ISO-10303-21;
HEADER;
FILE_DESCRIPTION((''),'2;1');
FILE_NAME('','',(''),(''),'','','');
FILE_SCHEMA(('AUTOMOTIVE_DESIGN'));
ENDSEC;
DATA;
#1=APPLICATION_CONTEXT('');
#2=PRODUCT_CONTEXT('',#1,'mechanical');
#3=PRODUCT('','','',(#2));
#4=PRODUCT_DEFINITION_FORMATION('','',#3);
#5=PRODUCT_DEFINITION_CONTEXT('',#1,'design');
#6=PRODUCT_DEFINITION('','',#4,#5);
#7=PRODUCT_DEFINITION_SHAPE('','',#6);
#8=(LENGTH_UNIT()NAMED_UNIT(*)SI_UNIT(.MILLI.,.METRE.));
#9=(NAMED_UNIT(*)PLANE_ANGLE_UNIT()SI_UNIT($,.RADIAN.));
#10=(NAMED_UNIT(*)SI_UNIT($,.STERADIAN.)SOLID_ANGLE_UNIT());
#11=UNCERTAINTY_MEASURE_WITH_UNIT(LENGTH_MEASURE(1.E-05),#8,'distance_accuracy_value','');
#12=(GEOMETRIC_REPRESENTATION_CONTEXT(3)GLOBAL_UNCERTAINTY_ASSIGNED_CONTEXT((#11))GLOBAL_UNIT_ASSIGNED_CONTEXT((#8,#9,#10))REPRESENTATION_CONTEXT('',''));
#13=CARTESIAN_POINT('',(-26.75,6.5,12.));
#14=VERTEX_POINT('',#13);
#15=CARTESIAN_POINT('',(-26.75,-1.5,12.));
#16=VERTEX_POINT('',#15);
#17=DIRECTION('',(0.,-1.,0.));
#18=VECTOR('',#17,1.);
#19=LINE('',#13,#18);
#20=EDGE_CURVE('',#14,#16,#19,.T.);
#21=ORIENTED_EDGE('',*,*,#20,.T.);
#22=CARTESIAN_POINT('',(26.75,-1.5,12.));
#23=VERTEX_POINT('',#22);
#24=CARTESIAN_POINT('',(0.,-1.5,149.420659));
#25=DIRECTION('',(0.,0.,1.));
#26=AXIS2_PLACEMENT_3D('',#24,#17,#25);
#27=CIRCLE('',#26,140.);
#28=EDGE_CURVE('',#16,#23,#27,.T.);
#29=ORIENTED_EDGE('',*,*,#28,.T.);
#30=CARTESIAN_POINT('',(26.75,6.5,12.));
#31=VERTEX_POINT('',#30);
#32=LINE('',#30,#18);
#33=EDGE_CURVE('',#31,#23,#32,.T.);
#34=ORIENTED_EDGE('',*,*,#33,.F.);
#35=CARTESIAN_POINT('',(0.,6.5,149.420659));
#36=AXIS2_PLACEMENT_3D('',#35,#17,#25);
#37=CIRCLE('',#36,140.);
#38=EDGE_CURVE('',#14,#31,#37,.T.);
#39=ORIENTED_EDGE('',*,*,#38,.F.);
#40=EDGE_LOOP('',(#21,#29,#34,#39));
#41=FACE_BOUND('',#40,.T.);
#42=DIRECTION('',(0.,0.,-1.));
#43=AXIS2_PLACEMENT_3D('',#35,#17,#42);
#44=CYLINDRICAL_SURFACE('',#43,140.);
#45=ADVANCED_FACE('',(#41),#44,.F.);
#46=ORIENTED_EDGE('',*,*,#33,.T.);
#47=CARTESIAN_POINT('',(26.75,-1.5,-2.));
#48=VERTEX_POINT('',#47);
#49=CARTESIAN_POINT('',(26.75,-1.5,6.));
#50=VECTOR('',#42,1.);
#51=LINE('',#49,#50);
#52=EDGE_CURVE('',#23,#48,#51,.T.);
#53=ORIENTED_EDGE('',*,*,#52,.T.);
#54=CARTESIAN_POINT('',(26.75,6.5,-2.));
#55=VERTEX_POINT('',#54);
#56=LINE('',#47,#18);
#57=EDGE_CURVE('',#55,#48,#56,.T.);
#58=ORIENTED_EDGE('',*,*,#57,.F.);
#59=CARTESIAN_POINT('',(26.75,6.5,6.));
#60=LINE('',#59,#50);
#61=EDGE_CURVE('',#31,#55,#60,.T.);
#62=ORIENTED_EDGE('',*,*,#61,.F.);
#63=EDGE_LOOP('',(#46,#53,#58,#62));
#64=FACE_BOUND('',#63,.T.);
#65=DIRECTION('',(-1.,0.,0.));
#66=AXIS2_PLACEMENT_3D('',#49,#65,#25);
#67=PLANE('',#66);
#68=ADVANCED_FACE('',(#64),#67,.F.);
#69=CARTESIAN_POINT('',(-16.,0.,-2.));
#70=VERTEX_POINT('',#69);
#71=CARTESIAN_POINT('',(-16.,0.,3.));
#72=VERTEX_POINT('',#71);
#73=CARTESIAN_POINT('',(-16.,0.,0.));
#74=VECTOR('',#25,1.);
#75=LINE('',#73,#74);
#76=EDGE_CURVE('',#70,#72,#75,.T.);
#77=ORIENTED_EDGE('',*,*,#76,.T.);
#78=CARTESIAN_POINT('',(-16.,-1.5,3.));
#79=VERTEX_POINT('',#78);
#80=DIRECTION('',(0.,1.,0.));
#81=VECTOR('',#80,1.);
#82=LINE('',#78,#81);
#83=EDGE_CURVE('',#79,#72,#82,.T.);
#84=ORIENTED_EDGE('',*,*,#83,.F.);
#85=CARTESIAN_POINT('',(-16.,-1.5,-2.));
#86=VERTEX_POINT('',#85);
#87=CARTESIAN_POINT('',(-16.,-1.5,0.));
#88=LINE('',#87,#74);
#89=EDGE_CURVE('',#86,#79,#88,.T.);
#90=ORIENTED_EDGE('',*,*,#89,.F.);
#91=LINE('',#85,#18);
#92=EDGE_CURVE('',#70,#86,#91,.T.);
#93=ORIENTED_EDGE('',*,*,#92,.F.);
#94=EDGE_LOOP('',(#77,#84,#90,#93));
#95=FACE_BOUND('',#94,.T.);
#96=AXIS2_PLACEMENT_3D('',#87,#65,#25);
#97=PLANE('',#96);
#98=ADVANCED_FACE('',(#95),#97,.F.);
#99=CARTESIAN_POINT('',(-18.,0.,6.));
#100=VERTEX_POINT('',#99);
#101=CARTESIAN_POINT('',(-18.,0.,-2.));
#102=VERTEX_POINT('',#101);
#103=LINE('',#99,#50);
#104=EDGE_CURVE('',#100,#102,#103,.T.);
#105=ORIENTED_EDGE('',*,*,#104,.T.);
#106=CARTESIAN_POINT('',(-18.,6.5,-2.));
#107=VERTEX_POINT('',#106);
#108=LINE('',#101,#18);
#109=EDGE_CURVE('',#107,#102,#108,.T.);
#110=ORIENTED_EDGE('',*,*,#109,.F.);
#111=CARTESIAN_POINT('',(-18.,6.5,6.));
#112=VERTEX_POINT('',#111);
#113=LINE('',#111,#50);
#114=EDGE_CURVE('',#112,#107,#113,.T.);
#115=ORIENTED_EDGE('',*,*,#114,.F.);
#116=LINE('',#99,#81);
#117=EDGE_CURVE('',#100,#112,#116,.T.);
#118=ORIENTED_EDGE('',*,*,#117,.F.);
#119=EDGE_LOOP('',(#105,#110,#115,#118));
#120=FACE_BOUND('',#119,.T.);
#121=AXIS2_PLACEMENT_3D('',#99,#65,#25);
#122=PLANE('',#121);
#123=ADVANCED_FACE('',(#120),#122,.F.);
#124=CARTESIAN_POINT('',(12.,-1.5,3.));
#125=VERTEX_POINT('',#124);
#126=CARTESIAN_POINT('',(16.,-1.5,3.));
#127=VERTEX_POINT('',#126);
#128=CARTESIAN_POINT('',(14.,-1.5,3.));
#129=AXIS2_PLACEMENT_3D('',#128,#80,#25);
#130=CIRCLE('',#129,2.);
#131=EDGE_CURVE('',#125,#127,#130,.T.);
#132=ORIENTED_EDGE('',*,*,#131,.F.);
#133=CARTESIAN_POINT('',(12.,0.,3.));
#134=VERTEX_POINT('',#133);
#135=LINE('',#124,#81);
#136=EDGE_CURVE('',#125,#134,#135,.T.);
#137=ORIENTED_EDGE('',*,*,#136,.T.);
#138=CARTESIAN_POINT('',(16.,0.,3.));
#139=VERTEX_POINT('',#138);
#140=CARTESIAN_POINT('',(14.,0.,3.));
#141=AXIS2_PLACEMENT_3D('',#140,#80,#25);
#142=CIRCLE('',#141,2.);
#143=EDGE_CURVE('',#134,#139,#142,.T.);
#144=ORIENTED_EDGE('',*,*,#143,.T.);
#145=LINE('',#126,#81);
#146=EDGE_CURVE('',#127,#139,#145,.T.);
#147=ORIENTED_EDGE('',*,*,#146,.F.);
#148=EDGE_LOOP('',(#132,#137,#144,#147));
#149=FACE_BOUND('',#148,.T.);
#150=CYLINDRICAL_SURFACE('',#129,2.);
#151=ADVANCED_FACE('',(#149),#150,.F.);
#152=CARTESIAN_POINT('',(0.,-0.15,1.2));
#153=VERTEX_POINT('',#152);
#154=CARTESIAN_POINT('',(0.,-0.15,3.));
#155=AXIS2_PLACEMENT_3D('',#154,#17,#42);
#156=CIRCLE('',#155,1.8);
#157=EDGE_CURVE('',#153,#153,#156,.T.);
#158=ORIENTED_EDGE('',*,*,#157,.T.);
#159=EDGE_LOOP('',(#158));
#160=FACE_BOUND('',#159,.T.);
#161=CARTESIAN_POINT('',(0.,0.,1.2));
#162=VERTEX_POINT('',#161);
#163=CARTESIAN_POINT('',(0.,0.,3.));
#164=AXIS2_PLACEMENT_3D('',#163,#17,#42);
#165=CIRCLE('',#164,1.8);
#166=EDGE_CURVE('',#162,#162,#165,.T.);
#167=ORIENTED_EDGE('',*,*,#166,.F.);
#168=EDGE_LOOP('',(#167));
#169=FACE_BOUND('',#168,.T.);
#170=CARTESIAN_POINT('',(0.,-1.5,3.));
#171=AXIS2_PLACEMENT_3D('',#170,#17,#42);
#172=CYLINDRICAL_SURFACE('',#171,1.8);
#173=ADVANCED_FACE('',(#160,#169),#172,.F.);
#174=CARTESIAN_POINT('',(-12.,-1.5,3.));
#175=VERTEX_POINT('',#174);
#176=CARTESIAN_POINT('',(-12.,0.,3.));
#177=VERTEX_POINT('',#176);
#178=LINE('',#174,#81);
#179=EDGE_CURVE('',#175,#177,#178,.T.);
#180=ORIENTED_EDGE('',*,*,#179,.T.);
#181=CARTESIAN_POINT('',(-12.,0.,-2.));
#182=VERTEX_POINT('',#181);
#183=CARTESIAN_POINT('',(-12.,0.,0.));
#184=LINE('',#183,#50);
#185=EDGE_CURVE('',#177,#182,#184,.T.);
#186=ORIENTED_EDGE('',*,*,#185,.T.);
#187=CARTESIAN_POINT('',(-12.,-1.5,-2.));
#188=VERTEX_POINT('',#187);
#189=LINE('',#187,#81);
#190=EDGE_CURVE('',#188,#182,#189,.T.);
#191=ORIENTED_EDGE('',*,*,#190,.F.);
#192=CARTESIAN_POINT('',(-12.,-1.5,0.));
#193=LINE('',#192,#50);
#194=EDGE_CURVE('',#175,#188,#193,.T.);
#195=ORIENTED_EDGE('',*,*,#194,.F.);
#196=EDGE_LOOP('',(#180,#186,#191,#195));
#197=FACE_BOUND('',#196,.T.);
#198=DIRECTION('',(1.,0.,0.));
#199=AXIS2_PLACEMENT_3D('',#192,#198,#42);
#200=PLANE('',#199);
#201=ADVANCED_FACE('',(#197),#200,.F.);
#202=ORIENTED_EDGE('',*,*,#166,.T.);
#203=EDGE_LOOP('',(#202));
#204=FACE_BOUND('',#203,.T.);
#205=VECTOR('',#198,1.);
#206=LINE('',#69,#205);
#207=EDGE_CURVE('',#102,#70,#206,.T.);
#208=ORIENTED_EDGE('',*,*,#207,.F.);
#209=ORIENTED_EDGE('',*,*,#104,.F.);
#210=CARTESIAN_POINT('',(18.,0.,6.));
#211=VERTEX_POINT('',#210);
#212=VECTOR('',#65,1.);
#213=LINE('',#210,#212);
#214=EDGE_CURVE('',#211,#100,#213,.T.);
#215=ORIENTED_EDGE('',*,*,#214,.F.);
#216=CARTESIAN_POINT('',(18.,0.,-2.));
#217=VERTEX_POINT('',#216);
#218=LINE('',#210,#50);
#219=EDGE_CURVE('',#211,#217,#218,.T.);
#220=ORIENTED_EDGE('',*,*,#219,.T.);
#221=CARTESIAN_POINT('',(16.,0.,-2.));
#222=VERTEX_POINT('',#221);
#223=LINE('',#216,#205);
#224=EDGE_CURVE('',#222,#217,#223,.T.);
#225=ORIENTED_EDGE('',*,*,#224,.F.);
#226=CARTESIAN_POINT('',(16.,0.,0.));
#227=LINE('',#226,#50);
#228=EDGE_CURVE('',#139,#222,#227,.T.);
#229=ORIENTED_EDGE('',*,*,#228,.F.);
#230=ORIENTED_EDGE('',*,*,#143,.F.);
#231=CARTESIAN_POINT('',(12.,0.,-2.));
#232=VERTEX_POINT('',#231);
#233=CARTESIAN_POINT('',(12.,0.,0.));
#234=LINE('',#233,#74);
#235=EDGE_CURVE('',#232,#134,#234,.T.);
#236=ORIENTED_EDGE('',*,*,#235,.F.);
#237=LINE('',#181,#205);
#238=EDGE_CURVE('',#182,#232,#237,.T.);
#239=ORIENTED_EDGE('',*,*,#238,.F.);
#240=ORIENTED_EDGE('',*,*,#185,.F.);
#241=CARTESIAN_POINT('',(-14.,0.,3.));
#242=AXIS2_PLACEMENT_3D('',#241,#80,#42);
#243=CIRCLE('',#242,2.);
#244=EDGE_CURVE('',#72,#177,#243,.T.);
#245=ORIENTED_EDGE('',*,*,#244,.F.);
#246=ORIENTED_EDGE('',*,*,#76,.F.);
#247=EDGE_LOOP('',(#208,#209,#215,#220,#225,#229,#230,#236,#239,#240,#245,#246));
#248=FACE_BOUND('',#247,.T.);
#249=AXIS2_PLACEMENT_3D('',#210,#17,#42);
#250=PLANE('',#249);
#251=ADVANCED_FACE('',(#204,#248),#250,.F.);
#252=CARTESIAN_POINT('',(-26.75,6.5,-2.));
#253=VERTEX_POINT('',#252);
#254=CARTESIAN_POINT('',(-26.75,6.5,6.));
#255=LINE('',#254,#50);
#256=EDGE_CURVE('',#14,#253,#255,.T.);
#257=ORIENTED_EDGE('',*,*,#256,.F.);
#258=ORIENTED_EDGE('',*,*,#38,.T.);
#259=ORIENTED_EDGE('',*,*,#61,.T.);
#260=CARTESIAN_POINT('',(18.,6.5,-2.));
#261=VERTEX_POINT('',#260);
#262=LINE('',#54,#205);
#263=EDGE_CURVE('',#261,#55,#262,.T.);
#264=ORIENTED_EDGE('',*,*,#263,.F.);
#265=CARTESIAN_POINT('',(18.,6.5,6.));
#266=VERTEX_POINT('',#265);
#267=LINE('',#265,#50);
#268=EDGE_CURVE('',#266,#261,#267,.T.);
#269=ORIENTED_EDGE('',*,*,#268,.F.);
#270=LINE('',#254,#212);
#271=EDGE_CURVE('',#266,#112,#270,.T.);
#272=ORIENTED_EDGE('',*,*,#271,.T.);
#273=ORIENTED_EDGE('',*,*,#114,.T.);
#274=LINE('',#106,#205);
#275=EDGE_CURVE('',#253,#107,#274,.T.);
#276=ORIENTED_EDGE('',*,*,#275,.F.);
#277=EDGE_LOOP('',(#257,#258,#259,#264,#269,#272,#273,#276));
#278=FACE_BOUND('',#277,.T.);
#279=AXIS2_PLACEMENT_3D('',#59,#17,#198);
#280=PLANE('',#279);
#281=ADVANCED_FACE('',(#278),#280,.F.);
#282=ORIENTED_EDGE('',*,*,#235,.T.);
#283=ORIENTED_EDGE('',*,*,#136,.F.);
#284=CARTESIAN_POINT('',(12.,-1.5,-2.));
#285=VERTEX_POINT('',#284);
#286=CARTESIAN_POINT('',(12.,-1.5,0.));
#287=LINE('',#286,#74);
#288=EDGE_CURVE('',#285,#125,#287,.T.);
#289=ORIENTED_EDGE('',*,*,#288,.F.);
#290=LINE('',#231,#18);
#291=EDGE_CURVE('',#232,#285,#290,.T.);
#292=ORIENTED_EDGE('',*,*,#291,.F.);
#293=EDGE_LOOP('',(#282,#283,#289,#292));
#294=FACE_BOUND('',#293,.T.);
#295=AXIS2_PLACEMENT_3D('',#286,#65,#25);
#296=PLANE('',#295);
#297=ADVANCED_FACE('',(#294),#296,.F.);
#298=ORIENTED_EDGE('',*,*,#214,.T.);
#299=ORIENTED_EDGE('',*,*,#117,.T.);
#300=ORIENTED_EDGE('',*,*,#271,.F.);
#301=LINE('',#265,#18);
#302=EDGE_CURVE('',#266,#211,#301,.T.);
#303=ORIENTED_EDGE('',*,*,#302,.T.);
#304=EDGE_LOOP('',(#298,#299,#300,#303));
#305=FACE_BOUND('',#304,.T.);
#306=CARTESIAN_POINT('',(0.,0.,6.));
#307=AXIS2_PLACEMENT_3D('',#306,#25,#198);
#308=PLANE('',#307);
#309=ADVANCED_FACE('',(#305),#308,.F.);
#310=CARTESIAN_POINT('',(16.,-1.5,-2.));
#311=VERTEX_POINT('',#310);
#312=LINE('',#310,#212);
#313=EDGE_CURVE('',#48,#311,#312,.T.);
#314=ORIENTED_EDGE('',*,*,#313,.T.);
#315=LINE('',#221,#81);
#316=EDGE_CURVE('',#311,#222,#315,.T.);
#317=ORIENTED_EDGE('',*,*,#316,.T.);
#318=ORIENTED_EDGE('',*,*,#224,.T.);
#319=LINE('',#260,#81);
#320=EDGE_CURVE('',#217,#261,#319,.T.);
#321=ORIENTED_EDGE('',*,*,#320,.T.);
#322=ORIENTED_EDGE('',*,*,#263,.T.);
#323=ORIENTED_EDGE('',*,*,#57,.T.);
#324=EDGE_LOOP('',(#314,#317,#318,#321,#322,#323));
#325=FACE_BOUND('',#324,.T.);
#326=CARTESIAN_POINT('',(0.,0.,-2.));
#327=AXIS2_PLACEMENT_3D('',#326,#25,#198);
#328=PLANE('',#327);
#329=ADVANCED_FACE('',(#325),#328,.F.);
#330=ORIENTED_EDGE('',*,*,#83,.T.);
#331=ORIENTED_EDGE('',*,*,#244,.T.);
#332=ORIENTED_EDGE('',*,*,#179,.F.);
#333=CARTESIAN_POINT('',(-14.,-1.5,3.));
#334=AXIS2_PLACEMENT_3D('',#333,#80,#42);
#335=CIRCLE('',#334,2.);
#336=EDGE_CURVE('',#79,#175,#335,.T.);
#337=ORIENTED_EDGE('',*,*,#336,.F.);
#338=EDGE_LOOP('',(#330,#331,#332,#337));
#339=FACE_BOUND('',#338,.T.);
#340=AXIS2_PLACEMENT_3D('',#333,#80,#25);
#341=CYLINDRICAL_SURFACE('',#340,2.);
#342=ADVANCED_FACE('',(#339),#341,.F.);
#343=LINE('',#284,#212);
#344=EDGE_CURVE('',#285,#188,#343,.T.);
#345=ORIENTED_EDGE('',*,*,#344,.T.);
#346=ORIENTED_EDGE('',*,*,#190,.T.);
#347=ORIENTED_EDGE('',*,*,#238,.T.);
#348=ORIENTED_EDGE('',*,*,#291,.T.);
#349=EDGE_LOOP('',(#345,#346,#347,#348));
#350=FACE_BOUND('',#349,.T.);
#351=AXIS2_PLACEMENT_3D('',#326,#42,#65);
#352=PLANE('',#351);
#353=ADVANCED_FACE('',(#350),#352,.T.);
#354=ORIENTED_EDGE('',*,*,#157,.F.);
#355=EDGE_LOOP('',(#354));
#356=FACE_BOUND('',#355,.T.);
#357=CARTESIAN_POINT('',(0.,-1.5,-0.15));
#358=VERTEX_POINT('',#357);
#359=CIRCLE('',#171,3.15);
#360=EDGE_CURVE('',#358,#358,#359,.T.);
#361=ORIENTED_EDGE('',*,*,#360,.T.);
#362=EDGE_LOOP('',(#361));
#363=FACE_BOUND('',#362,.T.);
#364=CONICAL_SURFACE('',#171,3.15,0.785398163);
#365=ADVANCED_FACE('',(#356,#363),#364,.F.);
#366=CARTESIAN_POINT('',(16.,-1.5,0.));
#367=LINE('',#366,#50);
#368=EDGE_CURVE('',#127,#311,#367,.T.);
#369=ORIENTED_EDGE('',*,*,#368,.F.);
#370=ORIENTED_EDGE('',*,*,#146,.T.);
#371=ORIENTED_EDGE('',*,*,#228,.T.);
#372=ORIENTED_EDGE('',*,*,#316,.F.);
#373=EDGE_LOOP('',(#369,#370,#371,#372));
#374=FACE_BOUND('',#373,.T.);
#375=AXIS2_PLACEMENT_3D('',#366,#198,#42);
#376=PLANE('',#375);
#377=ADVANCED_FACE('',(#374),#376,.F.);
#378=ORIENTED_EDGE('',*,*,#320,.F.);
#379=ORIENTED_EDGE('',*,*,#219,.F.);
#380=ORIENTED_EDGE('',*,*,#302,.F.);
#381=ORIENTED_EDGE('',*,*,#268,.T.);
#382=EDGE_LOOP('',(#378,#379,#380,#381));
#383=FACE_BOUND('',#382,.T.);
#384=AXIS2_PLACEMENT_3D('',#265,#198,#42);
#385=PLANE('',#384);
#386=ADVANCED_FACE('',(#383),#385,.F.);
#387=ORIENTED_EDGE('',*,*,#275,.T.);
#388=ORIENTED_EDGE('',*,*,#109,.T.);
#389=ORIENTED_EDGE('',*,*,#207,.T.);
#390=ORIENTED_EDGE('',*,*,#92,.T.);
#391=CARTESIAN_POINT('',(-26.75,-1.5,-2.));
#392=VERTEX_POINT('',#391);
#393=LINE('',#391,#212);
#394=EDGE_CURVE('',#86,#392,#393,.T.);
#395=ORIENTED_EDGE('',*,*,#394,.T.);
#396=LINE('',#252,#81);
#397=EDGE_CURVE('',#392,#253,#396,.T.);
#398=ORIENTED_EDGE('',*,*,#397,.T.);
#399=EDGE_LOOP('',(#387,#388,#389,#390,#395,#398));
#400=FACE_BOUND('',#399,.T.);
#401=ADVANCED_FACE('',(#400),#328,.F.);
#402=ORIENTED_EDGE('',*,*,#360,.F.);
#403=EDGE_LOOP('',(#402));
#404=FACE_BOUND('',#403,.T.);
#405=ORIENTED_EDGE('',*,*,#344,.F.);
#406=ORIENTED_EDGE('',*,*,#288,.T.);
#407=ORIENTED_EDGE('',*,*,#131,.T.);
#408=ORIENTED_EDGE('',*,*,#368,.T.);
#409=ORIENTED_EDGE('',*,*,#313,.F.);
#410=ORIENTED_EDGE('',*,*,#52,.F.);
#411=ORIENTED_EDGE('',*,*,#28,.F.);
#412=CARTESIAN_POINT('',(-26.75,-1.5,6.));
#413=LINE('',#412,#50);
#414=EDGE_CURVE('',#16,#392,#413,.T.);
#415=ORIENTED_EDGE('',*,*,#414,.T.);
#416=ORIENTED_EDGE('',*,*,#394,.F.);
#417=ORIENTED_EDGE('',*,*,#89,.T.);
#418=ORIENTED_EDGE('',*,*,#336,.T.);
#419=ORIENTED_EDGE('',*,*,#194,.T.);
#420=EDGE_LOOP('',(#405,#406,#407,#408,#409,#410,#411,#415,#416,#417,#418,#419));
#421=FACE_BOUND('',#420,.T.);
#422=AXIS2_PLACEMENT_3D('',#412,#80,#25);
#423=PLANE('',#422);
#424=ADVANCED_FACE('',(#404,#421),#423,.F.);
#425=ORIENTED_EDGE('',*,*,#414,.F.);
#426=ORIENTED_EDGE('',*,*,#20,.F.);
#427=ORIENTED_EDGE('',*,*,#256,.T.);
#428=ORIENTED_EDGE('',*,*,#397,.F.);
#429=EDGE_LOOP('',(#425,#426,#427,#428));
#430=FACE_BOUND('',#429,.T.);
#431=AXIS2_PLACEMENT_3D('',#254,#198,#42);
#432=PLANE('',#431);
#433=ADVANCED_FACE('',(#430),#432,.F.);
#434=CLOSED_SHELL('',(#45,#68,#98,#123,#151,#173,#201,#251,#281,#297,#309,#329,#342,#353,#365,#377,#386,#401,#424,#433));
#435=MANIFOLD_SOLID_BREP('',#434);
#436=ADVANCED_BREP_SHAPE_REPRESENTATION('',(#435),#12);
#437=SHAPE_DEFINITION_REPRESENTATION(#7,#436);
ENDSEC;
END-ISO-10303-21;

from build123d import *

# Parameters (mm, degrees)
BOSS_EXTRUDE1_DEPTH                                 = 6
SKETCH3_W                                           = 53.5
SKETCH3_H                                           = 8
BOSS_EXTRUDE2_DEPTH                                 = 2
CSK_FOR_M3_COUNTERSUNK_FLAT_HEAD_SCREW1_D           = 3.6
CSK_FOR_M3_COUNTERSUNK_FLAT_HEAD_SCREW1_CSINK_D     = 6.3
CSK_FOR_M3_COUNTERSUNK_FLAT_HEAD_SCREW1_CSINK_ANGLE = 90
CUT_EXTRUDE1_DEPTH                                  = 29.66727228
BOSS_EXTRUDE3_DEPTH                                 = 8
SKETCH8_W                                           = 24
SKETCH8_H                                           = 1.5
BOSS_EXTRUDE4_DEPTH                                 = 2
CSK_FOR_M3_COUNTERSUNK_FLAT_HEAD_SCREW2_D           = 3.6
CSK_FOR_M3_COUNTERSUNK_FLAT_HEAD_SCREW2_CSINK_D     = 6.3
CSK_FOR_M3_COUNTERSUNK_FLAT_HEAD_SCREW2_CSINK_ANGLE = 90


with BuildPart() as part:
    # Sketch1 → Boss-Extrude1 (new body)
    with BuildSketch(Plane.XY):
        Polygon((-18, 0), (-18, 6.5), (-26.75, 6.5), (-26.75, -1.5), (26.75, -1.5), (26.75, 6.5), (18, 6.5), (18, 0), align=None)
    extrude(amount=BOSS_EXTRUDE1_DEPTH)

    # Sketch3 → Boss-Extrude2 (add)
    with BuildSketch(Plane.XY.offset(6)):
        with Locations((0, 2.5)):
            Rectangle(SKETCH3_W, SKETCH3_H)
    extrude(amount=BOSS_EXTRUDE2_DEPTH)

    # CSK for M3 Countersunk Flat Head Screw1 (through all)
    with Locations(Plane(origin=(0, -1.5, 0), x_dir=(-1, 0, 0), z_dir=(0, -1, 0))):
        with Locations((0, -3)):
            CounterSinkHole(CSK_FOR_M3_COUNTERSUNK_FLAT_HEAD_SCREW1_D / 2, CSK_FOR_M3_COUNTERSUNK_FLAT_HEAD_SCREW1_CSINK_D / 2, counter_sink_angle=CSK_FOR_M3_COUNTERSUNK_FLAT_HEAD_SCREW1_CSINK_ANGLE)

    # Sketch6 → Cut-Extrude1 (cut, through all)
    with BuildSketch(Plane(origin=(0, 0, 0), x_dir=(1, 0, 0), z_dir=(0, 1, 0))):
        with BuildLine():
            Line((16, 0), (16, -3))
            ThreePointArc((16, -3), (14, -5), (12, -3))
            Line((12, -3), (12, 0))
            ThreePointArc((12, 0), (14, 2), (16, 0))
        make_face()
        with BuildLine():
            Line((-16, 0), (-16, -3))
            ThreePointArc((-16, -3), (-14, -5), (-12, -3))
            Line((-12, -3), (-12, 0))
            ThreePointArc((-12, 0), (-14, 2), (-16, 0))
        make_face()
    extrude(amount=-CUT_EXTRUDE1_DEPTH, mode=Mode.SUBTRACT)

    # Sketch7 → Boss-Extrude3 (add, through all)
    with BuildSketch(Plane(origin=(0, -1.5, 0), x_dir=(1, 0, 0), z_dir=(0, 1, 0))):
        with BuildLine():
            Line((26.75, -12), (26.75, -8))
            Line((26.75, -8), (-26.75, -8))
            Line((-26.75, -8), (-26.75, -12))
            ThreePointArc((-26.75, -12), (0, -9.420658927), (26.75, -12))
        make_face()
    extrude(amount=BOSS_EXTRUDE3_DEPTH)

    # Sketch8 → Boss-Extrude4 (add)
    with BuildSketch(Plane(origin=(0, 0, 0), x_dir=(-1, 0, 0), z_dir=(0, 0, -1))):
        Polygon((-26.75, 6.5), (-18, 6.5), (-18, 0), (-16, 0), (-16, -1.5), (-26.75, -1.5), align=None)
        with Locations((0, -0.75)):
            Rectangle(SKETCH8_W, SKETCH8_H)
        Polygon((18, 6.5), (26.75, 6.5), (26.75, -1.5), (16, -1.5), (16, 0), (18, 0), align=None)
    extrude(amount=BOSS_EXTRUDE4_DEPTH)

    # CSK for M3 Countersunk Flat Head Screw2 (through all)
    with Locations(Plane(origin=(0, -1.5, 0), x_dir=(-1, 0, 0), z_dir=(0, -1, 0))):
        with Locations((0, -3)):
            CounterSinkHole(CSK_FOR_M3_COUNTERSUNK_FLAT_HEAD_SCREW2_D / 2, CSK_FOR_M3_COUNTERSUNK_FLAT_HEAD_SCREW2_CSINK_D / 2, counter_sink_angle=CSK_FOR_M3_COUNTERSUNK_FLAT_HEAD_SCREW2_CSINK_ANGLE)


solid = part.part
